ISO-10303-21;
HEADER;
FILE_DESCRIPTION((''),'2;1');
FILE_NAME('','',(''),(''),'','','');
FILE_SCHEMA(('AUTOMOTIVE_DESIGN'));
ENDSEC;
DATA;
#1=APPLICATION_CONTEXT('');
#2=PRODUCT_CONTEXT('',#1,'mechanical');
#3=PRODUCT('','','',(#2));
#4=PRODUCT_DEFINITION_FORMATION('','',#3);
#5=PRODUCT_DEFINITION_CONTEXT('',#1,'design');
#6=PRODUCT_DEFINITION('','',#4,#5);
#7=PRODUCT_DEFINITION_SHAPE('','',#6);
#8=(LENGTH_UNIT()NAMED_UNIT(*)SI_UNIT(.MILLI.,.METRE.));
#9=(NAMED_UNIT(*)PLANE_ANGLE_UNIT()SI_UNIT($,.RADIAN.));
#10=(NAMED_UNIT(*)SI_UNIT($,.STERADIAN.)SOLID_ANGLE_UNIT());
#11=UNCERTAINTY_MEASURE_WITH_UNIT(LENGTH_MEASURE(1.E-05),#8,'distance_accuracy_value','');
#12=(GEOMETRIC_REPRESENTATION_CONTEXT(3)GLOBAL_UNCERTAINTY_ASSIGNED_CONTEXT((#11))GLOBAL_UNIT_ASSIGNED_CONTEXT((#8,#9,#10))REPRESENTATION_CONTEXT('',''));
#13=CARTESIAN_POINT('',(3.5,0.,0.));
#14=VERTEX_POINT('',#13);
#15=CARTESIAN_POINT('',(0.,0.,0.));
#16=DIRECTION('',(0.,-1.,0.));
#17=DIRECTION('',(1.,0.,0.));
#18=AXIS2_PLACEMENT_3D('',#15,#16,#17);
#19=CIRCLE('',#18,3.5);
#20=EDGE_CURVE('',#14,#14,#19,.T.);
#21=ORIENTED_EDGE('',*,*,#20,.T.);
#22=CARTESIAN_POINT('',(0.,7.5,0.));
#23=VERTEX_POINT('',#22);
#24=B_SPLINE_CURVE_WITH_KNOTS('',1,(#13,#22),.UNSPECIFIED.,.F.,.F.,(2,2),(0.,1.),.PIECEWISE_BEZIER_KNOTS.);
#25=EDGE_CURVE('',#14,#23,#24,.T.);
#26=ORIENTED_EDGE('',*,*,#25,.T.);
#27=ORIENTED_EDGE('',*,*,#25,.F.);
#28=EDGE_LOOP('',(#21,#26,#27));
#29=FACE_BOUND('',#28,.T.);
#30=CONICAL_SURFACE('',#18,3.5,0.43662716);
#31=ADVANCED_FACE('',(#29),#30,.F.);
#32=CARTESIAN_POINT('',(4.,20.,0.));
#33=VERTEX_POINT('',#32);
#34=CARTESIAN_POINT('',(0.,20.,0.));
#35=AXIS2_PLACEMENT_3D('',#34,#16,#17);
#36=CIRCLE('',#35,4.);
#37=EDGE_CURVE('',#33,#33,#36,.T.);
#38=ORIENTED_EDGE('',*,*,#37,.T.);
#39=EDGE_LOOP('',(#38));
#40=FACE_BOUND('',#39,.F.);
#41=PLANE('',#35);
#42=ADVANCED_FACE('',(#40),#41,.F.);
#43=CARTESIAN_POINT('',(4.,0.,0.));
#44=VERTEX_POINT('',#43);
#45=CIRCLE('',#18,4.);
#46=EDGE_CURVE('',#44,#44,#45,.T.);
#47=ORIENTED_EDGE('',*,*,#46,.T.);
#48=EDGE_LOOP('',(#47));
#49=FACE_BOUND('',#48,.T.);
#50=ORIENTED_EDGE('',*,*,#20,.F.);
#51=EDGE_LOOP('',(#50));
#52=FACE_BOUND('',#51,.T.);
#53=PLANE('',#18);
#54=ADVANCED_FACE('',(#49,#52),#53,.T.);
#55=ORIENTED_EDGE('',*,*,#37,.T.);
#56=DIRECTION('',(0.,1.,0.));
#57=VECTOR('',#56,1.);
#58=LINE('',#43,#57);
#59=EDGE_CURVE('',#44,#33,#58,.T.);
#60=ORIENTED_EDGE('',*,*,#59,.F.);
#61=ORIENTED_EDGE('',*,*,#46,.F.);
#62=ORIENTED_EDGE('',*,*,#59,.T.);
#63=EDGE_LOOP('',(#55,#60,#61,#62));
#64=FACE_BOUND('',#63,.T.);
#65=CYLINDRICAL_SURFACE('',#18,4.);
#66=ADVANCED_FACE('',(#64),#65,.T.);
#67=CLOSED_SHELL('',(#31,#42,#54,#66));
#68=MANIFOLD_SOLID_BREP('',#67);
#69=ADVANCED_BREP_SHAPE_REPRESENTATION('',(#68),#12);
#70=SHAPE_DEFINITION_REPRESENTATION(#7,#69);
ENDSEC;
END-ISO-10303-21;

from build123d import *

# Parameters (mm, degrees)
F0_R     = 4
F0_R_2   = 3.5
F1_DEPTH = 20


with BuildPart() as f1:
    # F0 (on Front) → F1 (new body)
    with BuildSketch(Plane.XZ):
        Circle(F0_R)
        Circle(F0_R_2, mode=Mode.SUBTRACT)
        Circle(F0_R_2)
    extrude(amount=-F1_DEPTH)

    # F0 (on Front) → F3 section 0
    with BuildSketch(Plane.XZ, mode=Mode.PRIVATE) as f3_s0:
        Circle(F0_R_2)
    loft([f3_s0.sketch, Vertex(0, 7.5, 0)], mode=Mode.SUBTRACT)


solid = f1.part
